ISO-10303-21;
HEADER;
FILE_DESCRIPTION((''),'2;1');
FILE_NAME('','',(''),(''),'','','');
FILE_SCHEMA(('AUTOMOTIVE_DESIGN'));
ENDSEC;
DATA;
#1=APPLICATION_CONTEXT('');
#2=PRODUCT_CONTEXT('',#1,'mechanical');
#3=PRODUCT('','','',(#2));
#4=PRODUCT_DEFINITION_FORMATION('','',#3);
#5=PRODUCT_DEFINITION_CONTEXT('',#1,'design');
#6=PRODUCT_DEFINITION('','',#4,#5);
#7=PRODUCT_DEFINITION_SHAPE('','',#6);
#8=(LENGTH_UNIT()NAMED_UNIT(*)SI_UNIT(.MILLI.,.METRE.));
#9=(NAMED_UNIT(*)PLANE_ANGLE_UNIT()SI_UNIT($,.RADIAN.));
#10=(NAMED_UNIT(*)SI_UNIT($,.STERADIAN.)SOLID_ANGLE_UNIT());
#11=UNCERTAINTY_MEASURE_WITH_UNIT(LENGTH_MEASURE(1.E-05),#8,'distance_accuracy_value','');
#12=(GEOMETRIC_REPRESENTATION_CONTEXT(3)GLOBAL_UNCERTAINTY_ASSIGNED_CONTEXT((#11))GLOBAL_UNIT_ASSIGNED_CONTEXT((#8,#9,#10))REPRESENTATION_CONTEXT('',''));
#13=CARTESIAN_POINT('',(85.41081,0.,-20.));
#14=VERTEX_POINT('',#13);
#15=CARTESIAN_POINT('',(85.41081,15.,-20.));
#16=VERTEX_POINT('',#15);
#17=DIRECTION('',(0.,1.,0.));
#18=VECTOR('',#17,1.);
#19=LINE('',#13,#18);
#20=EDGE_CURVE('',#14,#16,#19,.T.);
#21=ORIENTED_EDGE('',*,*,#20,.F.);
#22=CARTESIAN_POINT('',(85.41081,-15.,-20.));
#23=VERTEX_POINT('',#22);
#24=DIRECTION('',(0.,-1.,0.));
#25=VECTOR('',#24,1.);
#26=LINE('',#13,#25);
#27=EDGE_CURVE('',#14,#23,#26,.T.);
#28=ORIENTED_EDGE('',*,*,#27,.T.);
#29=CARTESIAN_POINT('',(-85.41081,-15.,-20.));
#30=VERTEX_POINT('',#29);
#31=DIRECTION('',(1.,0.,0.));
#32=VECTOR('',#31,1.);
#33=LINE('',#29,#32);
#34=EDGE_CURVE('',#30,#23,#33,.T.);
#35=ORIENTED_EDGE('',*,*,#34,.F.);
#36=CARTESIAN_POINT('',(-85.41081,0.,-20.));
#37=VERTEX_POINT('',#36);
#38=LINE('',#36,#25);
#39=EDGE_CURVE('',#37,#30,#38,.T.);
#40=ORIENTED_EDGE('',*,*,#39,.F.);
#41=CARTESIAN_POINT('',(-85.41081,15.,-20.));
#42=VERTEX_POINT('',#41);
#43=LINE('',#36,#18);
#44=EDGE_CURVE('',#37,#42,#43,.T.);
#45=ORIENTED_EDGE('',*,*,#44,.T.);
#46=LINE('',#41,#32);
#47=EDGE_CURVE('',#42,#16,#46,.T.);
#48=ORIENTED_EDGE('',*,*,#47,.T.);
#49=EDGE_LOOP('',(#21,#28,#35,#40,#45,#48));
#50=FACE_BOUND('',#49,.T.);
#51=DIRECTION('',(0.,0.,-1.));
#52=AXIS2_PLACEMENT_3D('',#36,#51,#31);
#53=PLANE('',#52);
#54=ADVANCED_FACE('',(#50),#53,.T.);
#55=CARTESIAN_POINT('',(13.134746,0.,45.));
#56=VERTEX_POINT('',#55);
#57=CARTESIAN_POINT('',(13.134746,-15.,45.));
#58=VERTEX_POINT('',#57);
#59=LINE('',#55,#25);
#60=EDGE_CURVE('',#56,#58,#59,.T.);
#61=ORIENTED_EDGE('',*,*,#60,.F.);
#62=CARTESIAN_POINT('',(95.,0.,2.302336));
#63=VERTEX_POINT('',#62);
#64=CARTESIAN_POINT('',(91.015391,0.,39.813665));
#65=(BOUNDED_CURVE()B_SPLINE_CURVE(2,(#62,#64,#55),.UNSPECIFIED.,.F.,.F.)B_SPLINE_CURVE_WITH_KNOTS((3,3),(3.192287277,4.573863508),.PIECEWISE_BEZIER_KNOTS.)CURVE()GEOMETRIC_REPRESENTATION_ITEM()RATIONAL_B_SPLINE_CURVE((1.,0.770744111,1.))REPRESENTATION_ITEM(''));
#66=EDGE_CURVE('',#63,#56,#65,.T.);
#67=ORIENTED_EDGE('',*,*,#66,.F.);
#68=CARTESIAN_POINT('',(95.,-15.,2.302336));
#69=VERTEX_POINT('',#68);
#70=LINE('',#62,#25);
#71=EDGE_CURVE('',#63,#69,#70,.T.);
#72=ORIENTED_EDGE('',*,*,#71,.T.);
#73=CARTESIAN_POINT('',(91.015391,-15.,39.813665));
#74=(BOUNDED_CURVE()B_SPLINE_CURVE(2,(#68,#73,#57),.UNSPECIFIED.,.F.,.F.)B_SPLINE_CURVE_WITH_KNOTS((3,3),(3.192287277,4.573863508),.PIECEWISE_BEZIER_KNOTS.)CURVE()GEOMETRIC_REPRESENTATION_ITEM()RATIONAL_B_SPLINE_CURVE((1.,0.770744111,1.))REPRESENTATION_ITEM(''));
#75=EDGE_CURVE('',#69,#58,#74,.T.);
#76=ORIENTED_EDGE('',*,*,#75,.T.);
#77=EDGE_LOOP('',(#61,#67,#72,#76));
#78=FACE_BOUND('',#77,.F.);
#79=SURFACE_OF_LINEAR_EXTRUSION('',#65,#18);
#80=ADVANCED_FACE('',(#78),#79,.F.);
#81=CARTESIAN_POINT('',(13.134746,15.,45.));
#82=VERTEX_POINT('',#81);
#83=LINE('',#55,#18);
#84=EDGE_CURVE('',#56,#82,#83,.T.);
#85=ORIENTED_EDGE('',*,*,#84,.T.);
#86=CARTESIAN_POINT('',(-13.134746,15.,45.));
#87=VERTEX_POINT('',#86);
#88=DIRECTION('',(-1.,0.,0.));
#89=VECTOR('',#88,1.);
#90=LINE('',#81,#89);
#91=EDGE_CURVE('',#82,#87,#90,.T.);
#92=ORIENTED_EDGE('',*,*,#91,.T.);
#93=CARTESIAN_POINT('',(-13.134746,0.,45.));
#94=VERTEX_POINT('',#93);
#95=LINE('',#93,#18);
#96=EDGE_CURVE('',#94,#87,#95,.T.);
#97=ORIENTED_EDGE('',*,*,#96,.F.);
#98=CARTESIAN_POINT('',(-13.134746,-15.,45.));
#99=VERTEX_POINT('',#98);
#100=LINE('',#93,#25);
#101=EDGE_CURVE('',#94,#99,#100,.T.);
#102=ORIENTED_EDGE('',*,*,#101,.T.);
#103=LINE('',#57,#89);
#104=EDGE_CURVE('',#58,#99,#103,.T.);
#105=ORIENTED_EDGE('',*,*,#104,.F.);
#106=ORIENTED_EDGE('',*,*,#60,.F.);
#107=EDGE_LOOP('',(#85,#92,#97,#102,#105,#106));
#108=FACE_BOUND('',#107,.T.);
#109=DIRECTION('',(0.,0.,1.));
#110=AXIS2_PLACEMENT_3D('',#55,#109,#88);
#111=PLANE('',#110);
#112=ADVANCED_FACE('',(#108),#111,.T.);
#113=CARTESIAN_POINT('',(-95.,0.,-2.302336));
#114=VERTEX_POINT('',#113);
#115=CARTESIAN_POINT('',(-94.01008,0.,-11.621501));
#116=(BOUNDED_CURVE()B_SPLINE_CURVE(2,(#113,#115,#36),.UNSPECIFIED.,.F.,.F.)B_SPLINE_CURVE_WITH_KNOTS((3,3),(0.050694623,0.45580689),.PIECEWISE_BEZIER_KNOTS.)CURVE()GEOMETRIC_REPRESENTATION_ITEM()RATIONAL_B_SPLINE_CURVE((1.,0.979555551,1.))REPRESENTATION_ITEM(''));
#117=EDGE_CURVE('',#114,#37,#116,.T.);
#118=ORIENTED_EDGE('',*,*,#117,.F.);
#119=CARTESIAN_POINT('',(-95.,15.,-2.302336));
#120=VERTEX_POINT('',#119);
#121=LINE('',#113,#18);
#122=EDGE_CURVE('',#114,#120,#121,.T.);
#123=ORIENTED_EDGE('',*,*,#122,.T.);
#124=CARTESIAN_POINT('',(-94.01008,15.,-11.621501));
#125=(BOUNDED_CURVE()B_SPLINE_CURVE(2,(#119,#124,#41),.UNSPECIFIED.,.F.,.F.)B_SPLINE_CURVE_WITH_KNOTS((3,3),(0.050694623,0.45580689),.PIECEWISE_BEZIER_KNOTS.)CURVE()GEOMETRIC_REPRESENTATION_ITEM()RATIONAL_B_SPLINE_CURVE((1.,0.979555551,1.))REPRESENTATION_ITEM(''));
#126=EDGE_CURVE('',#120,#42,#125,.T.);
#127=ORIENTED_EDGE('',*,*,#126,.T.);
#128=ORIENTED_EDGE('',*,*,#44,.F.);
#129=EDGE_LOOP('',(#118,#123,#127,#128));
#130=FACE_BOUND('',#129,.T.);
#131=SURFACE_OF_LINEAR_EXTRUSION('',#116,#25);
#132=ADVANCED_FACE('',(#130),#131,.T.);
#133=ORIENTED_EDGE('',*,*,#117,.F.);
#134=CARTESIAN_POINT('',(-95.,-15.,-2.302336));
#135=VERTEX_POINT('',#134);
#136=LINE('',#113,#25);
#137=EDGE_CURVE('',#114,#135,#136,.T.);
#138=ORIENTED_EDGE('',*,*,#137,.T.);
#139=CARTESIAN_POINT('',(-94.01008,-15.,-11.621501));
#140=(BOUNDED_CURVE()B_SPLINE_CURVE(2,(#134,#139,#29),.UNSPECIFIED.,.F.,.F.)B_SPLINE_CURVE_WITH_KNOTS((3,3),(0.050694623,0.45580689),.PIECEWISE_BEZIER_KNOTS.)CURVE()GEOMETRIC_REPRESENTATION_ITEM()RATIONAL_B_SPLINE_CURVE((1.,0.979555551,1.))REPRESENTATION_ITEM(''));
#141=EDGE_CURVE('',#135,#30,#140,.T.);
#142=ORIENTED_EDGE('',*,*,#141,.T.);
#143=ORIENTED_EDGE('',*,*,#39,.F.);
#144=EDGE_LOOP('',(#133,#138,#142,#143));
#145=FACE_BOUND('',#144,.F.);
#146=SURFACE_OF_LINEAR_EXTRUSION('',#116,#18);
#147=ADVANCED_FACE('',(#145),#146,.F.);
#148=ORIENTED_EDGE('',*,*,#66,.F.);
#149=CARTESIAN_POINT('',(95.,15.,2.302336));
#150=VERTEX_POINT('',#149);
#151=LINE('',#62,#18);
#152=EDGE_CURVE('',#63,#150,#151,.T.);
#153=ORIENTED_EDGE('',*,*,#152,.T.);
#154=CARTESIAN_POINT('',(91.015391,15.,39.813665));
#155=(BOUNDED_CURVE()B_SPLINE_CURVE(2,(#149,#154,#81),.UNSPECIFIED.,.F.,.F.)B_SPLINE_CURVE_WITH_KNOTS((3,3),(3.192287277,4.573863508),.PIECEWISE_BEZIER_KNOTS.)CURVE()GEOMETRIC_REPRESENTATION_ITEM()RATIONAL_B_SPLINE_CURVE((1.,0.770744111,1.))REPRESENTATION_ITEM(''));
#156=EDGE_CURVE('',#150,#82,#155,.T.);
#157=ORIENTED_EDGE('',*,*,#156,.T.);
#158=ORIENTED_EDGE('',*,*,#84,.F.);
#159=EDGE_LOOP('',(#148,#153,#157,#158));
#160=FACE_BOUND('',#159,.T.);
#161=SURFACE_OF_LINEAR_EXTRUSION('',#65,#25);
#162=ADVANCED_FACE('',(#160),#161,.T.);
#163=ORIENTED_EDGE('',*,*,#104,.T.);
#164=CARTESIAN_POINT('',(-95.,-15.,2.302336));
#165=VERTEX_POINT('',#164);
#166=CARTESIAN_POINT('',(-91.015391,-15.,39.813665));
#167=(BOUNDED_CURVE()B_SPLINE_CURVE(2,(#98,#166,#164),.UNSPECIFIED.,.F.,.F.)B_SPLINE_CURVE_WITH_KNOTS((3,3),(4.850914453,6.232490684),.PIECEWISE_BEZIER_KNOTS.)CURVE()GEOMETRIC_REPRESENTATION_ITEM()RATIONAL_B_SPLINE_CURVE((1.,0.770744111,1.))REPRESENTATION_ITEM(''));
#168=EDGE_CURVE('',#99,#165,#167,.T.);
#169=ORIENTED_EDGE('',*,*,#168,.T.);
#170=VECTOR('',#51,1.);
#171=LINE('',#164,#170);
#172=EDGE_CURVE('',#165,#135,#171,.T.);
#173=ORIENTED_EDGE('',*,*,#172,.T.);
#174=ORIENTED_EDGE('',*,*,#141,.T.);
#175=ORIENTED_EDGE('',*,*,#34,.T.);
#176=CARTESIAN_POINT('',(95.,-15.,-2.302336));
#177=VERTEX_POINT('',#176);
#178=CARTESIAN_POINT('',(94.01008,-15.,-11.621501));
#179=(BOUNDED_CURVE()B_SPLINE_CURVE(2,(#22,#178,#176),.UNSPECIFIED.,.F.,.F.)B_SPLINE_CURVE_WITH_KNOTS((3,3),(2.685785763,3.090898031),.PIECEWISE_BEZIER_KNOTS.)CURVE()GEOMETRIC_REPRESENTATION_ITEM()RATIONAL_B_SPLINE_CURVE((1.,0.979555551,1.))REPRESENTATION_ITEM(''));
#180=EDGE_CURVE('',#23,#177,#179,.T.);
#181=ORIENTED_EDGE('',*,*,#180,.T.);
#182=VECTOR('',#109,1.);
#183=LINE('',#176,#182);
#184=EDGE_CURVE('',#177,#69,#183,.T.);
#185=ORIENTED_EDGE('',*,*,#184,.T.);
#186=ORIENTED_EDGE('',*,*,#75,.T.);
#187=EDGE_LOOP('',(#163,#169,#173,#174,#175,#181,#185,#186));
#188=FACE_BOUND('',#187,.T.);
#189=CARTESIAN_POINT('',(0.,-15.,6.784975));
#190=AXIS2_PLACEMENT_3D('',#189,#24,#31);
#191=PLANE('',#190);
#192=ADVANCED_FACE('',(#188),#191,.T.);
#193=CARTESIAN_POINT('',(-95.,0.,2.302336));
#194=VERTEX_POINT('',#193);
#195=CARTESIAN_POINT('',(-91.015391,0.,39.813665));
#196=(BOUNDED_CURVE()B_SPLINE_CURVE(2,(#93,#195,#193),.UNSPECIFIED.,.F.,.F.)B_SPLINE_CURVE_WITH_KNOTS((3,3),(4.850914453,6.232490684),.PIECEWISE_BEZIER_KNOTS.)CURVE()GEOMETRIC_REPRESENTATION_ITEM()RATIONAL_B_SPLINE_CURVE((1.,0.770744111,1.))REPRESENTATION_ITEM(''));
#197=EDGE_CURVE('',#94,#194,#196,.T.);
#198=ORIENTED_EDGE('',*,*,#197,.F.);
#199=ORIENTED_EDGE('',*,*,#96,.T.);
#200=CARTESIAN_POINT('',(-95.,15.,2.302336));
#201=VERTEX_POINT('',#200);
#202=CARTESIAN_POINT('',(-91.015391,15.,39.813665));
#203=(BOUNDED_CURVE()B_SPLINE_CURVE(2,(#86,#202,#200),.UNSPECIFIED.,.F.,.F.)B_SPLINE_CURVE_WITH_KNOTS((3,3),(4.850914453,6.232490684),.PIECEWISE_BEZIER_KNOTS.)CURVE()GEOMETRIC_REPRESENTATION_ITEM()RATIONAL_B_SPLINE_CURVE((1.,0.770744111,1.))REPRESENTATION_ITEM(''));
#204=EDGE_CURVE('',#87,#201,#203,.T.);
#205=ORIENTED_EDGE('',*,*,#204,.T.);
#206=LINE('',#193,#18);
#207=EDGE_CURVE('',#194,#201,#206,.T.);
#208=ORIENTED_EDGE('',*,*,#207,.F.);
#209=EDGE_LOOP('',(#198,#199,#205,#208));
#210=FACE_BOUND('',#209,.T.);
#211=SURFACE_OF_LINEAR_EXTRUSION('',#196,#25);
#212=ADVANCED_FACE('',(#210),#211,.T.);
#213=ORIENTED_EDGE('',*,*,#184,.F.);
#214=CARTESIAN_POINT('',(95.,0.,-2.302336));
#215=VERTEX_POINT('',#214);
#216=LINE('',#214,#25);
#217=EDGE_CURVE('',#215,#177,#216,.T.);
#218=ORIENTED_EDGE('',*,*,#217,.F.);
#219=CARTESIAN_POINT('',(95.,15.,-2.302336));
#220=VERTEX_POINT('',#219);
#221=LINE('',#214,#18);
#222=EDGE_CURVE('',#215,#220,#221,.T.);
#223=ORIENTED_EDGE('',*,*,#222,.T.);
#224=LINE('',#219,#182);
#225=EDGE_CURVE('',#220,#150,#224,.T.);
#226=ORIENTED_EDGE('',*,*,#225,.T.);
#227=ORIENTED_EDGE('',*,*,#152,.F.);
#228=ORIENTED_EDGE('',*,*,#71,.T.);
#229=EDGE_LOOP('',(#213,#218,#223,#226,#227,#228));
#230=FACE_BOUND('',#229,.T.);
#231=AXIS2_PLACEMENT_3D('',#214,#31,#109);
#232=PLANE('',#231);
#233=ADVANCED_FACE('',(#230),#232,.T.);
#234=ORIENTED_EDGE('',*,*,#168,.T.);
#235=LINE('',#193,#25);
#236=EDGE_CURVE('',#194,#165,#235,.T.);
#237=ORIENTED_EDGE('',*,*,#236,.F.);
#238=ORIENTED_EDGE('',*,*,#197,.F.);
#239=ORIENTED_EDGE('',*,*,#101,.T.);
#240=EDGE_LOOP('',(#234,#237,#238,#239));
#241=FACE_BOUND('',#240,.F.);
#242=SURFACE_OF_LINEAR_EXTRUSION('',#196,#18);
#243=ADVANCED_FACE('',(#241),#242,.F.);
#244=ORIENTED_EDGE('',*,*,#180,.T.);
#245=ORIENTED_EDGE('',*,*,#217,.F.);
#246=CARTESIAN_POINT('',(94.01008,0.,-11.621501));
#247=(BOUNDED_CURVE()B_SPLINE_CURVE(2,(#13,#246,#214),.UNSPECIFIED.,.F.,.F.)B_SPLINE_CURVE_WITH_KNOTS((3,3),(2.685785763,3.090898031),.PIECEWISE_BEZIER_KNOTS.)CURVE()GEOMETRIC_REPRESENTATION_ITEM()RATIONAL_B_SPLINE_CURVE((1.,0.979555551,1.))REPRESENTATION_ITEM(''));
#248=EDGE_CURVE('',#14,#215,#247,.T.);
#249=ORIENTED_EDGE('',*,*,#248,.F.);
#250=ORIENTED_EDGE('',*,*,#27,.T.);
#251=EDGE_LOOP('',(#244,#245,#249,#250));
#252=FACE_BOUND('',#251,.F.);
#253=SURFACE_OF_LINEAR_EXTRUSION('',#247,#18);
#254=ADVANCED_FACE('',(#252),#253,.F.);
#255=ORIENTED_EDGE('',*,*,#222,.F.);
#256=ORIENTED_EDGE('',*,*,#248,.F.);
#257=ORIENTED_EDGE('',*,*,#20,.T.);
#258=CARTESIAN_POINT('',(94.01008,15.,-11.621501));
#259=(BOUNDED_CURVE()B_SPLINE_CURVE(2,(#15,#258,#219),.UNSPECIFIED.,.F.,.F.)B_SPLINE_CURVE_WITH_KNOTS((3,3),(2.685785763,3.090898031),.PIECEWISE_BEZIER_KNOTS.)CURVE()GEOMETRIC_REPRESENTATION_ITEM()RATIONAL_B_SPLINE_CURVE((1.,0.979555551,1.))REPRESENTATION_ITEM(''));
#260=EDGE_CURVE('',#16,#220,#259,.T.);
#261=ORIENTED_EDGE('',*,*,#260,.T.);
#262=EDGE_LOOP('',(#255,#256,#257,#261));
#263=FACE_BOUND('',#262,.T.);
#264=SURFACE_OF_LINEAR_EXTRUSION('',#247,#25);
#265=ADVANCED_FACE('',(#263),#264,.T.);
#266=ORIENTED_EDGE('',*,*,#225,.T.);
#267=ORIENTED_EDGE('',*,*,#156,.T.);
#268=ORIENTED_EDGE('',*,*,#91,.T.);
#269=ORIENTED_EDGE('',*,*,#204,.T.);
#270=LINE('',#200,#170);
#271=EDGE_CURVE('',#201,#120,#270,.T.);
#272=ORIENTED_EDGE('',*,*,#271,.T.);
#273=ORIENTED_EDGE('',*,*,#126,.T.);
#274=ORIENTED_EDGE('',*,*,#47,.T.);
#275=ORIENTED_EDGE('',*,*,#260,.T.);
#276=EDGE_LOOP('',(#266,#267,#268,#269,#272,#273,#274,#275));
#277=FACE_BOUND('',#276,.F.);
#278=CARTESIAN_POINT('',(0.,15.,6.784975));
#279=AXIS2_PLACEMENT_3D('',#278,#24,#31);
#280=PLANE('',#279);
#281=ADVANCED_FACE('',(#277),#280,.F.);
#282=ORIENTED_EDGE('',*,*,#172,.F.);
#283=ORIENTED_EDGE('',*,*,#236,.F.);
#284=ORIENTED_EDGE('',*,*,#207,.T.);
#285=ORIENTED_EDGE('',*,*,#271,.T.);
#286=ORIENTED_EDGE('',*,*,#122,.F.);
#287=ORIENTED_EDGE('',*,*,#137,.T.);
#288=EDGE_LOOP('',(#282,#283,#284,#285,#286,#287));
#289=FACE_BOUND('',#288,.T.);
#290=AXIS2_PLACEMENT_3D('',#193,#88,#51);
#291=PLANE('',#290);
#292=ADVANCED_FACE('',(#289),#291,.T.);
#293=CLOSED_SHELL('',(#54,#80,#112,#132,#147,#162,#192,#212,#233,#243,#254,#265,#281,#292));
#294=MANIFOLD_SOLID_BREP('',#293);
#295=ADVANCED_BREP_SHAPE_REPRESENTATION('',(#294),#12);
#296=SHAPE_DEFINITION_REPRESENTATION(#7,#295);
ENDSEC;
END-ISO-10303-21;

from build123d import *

# Parameters (mm, degrees)
F1_DEPTH = 15


with BuildPart() as f1:
    # F0 (on Front) → F1 (new body, symmetric)
    with BuildSketch(Plane.XZ):
        with BuildLine():
            Line((13.1347461497, 45), (-13.1347461497, 45))
            add(Edge.make_bspline(
                [(-13.1347461497, 45), (-91.0153910883, 39.8136653598), (-95, 2.3023358521)],
                knots=[4.8509144531, 4.8509144531, 4.8509144531, 6.2324906842, 6.2324906842, 6.2324906842], degree=2, weights=[1, 0.7707441106, 1]))
            Line((-95, 2.3023358521), (-95, -2.3023358521))
            add(Edge.make_bspline(
                [(-95, -2.3023358521), (-94.0100796719, -11.621500778), (-85.4108101327, -20)],
                knots=[0.0506946229, 0.0506946229, 0.0506946229, 0.4558068903, 0.4558068903, 0.4558068903], degree=2, weights=[1, 0.9795555512, 1]))
            Line((-85.4108101327, -20), (85.4108101327, -20))
            add(Edge.make_bspline(
                [(85.4108101327, -20), (94.0100796719, -11.621500778), (95, -2.3023358521)],
                knots=[2.6857857633, 2.6857857633, 2.6857857633, 3.0908980307, 3.0908980307, 3.0908980307], degree=2, weights=[1, 0.9795555512, 1]))
            Line((95, -2.3023358521), (95, 2.3023358521))
            add(Edge.make_bspline(
                [(95, 2.3023358521), (91.0153910883, 39.8136653598), (13.1347461497, 45)],
                knots=[3.1922872765, 3.1922872765, 3.1922872765, 4.5738635077, 4.5738635077, 4.5738635077], degree=2, weights=[1, 0.7707441106, 1]))
        make_face()
    extrude(amount=F1_DEPTH, both=True)


solid = f1.part
